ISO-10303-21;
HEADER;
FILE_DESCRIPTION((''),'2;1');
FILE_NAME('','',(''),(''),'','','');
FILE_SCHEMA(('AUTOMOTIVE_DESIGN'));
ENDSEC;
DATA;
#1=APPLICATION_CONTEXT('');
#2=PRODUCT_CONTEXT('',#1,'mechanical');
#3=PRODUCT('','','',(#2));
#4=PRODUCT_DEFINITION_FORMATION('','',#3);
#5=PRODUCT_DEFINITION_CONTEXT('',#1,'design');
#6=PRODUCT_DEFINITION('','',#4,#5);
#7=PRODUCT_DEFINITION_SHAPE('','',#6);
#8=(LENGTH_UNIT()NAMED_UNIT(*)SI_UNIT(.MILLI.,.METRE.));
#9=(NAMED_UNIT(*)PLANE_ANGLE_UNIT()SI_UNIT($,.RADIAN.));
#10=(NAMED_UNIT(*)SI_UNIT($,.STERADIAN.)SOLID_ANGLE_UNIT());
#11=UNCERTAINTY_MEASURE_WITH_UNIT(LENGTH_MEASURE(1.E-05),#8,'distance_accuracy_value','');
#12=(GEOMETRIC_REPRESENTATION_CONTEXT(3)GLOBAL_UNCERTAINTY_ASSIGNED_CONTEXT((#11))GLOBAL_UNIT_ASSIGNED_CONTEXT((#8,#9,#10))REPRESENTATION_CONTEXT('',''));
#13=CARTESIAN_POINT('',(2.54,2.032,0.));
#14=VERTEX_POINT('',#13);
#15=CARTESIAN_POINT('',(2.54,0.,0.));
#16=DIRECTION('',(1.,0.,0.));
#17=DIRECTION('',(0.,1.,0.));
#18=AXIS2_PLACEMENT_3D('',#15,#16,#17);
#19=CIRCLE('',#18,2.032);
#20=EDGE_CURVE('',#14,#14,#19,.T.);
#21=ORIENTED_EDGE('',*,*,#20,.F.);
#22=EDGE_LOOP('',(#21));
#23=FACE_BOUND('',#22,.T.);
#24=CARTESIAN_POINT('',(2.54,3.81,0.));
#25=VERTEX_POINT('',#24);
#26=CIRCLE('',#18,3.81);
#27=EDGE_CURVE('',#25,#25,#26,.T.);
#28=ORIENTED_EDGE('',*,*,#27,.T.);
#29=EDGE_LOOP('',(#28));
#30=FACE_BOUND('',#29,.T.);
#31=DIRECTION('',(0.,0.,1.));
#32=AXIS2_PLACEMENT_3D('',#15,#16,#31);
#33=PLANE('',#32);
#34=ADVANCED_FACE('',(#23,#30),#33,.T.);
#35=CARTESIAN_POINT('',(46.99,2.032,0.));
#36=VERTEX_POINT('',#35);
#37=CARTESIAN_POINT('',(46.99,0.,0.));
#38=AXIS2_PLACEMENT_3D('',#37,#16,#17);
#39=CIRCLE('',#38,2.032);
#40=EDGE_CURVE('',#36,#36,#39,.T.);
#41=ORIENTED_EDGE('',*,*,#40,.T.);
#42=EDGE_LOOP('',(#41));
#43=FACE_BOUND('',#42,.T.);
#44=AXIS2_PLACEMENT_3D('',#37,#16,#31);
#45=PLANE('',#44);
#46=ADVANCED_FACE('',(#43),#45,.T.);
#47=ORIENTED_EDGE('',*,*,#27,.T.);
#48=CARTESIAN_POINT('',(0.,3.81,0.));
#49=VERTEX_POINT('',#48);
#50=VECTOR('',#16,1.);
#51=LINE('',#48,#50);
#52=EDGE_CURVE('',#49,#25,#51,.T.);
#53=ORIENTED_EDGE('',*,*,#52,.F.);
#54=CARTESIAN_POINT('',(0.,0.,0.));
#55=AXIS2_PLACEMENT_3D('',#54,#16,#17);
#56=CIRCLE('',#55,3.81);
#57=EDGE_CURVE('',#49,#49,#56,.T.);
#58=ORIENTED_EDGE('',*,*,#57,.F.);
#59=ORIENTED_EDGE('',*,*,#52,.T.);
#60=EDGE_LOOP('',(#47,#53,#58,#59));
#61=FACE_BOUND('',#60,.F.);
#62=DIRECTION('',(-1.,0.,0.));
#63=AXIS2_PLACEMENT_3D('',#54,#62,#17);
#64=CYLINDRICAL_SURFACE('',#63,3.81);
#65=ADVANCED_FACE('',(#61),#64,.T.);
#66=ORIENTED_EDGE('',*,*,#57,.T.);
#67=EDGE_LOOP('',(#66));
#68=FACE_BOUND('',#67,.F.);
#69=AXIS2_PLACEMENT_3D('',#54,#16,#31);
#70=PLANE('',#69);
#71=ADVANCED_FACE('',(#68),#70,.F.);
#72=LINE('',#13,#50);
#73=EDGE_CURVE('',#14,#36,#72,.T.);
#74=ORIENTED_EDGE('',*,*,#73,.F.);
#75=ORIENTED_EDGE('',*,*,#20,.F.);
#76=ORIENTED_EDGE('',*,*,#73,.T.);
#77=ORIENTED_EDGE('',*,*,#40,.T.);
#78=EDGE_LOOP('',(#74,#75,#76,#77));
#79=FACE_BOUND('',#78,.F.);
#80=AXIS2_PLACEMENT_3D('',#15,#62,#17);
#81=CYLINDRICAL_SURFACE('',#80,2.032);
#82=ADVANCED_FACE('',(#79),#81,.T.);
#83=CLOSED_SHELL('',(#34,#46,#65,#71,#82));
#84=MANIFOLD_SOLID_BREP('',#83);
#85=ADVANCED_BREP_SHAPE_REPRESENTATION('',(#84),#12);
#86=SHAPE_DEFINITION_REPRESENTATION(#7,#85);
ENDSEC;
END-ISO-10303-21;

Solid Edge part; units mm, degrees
sketch "Sketch1" plane through (0, 0, 0) normal (1, 0, 0) x (0, 1, 0)
  circle A0 centre (0, 0) radius 3.81
  dimension "D1" = 7.62
extrude "Protrusion1" add sketch "Sketch1" along normal blind 2.54
sketch "Sketch2" plane through (2.54, 0, 0) normal (1, 0, 0) x (0, 1, 0)
  circle A0 centre (0, 0) radius 2.032
  dimension "D1" = 4.064
extrude "ExtrudedProtrusion_2" add sketch "Sketch2" along normal blind 44.45
properties part number "HARDWARE"
